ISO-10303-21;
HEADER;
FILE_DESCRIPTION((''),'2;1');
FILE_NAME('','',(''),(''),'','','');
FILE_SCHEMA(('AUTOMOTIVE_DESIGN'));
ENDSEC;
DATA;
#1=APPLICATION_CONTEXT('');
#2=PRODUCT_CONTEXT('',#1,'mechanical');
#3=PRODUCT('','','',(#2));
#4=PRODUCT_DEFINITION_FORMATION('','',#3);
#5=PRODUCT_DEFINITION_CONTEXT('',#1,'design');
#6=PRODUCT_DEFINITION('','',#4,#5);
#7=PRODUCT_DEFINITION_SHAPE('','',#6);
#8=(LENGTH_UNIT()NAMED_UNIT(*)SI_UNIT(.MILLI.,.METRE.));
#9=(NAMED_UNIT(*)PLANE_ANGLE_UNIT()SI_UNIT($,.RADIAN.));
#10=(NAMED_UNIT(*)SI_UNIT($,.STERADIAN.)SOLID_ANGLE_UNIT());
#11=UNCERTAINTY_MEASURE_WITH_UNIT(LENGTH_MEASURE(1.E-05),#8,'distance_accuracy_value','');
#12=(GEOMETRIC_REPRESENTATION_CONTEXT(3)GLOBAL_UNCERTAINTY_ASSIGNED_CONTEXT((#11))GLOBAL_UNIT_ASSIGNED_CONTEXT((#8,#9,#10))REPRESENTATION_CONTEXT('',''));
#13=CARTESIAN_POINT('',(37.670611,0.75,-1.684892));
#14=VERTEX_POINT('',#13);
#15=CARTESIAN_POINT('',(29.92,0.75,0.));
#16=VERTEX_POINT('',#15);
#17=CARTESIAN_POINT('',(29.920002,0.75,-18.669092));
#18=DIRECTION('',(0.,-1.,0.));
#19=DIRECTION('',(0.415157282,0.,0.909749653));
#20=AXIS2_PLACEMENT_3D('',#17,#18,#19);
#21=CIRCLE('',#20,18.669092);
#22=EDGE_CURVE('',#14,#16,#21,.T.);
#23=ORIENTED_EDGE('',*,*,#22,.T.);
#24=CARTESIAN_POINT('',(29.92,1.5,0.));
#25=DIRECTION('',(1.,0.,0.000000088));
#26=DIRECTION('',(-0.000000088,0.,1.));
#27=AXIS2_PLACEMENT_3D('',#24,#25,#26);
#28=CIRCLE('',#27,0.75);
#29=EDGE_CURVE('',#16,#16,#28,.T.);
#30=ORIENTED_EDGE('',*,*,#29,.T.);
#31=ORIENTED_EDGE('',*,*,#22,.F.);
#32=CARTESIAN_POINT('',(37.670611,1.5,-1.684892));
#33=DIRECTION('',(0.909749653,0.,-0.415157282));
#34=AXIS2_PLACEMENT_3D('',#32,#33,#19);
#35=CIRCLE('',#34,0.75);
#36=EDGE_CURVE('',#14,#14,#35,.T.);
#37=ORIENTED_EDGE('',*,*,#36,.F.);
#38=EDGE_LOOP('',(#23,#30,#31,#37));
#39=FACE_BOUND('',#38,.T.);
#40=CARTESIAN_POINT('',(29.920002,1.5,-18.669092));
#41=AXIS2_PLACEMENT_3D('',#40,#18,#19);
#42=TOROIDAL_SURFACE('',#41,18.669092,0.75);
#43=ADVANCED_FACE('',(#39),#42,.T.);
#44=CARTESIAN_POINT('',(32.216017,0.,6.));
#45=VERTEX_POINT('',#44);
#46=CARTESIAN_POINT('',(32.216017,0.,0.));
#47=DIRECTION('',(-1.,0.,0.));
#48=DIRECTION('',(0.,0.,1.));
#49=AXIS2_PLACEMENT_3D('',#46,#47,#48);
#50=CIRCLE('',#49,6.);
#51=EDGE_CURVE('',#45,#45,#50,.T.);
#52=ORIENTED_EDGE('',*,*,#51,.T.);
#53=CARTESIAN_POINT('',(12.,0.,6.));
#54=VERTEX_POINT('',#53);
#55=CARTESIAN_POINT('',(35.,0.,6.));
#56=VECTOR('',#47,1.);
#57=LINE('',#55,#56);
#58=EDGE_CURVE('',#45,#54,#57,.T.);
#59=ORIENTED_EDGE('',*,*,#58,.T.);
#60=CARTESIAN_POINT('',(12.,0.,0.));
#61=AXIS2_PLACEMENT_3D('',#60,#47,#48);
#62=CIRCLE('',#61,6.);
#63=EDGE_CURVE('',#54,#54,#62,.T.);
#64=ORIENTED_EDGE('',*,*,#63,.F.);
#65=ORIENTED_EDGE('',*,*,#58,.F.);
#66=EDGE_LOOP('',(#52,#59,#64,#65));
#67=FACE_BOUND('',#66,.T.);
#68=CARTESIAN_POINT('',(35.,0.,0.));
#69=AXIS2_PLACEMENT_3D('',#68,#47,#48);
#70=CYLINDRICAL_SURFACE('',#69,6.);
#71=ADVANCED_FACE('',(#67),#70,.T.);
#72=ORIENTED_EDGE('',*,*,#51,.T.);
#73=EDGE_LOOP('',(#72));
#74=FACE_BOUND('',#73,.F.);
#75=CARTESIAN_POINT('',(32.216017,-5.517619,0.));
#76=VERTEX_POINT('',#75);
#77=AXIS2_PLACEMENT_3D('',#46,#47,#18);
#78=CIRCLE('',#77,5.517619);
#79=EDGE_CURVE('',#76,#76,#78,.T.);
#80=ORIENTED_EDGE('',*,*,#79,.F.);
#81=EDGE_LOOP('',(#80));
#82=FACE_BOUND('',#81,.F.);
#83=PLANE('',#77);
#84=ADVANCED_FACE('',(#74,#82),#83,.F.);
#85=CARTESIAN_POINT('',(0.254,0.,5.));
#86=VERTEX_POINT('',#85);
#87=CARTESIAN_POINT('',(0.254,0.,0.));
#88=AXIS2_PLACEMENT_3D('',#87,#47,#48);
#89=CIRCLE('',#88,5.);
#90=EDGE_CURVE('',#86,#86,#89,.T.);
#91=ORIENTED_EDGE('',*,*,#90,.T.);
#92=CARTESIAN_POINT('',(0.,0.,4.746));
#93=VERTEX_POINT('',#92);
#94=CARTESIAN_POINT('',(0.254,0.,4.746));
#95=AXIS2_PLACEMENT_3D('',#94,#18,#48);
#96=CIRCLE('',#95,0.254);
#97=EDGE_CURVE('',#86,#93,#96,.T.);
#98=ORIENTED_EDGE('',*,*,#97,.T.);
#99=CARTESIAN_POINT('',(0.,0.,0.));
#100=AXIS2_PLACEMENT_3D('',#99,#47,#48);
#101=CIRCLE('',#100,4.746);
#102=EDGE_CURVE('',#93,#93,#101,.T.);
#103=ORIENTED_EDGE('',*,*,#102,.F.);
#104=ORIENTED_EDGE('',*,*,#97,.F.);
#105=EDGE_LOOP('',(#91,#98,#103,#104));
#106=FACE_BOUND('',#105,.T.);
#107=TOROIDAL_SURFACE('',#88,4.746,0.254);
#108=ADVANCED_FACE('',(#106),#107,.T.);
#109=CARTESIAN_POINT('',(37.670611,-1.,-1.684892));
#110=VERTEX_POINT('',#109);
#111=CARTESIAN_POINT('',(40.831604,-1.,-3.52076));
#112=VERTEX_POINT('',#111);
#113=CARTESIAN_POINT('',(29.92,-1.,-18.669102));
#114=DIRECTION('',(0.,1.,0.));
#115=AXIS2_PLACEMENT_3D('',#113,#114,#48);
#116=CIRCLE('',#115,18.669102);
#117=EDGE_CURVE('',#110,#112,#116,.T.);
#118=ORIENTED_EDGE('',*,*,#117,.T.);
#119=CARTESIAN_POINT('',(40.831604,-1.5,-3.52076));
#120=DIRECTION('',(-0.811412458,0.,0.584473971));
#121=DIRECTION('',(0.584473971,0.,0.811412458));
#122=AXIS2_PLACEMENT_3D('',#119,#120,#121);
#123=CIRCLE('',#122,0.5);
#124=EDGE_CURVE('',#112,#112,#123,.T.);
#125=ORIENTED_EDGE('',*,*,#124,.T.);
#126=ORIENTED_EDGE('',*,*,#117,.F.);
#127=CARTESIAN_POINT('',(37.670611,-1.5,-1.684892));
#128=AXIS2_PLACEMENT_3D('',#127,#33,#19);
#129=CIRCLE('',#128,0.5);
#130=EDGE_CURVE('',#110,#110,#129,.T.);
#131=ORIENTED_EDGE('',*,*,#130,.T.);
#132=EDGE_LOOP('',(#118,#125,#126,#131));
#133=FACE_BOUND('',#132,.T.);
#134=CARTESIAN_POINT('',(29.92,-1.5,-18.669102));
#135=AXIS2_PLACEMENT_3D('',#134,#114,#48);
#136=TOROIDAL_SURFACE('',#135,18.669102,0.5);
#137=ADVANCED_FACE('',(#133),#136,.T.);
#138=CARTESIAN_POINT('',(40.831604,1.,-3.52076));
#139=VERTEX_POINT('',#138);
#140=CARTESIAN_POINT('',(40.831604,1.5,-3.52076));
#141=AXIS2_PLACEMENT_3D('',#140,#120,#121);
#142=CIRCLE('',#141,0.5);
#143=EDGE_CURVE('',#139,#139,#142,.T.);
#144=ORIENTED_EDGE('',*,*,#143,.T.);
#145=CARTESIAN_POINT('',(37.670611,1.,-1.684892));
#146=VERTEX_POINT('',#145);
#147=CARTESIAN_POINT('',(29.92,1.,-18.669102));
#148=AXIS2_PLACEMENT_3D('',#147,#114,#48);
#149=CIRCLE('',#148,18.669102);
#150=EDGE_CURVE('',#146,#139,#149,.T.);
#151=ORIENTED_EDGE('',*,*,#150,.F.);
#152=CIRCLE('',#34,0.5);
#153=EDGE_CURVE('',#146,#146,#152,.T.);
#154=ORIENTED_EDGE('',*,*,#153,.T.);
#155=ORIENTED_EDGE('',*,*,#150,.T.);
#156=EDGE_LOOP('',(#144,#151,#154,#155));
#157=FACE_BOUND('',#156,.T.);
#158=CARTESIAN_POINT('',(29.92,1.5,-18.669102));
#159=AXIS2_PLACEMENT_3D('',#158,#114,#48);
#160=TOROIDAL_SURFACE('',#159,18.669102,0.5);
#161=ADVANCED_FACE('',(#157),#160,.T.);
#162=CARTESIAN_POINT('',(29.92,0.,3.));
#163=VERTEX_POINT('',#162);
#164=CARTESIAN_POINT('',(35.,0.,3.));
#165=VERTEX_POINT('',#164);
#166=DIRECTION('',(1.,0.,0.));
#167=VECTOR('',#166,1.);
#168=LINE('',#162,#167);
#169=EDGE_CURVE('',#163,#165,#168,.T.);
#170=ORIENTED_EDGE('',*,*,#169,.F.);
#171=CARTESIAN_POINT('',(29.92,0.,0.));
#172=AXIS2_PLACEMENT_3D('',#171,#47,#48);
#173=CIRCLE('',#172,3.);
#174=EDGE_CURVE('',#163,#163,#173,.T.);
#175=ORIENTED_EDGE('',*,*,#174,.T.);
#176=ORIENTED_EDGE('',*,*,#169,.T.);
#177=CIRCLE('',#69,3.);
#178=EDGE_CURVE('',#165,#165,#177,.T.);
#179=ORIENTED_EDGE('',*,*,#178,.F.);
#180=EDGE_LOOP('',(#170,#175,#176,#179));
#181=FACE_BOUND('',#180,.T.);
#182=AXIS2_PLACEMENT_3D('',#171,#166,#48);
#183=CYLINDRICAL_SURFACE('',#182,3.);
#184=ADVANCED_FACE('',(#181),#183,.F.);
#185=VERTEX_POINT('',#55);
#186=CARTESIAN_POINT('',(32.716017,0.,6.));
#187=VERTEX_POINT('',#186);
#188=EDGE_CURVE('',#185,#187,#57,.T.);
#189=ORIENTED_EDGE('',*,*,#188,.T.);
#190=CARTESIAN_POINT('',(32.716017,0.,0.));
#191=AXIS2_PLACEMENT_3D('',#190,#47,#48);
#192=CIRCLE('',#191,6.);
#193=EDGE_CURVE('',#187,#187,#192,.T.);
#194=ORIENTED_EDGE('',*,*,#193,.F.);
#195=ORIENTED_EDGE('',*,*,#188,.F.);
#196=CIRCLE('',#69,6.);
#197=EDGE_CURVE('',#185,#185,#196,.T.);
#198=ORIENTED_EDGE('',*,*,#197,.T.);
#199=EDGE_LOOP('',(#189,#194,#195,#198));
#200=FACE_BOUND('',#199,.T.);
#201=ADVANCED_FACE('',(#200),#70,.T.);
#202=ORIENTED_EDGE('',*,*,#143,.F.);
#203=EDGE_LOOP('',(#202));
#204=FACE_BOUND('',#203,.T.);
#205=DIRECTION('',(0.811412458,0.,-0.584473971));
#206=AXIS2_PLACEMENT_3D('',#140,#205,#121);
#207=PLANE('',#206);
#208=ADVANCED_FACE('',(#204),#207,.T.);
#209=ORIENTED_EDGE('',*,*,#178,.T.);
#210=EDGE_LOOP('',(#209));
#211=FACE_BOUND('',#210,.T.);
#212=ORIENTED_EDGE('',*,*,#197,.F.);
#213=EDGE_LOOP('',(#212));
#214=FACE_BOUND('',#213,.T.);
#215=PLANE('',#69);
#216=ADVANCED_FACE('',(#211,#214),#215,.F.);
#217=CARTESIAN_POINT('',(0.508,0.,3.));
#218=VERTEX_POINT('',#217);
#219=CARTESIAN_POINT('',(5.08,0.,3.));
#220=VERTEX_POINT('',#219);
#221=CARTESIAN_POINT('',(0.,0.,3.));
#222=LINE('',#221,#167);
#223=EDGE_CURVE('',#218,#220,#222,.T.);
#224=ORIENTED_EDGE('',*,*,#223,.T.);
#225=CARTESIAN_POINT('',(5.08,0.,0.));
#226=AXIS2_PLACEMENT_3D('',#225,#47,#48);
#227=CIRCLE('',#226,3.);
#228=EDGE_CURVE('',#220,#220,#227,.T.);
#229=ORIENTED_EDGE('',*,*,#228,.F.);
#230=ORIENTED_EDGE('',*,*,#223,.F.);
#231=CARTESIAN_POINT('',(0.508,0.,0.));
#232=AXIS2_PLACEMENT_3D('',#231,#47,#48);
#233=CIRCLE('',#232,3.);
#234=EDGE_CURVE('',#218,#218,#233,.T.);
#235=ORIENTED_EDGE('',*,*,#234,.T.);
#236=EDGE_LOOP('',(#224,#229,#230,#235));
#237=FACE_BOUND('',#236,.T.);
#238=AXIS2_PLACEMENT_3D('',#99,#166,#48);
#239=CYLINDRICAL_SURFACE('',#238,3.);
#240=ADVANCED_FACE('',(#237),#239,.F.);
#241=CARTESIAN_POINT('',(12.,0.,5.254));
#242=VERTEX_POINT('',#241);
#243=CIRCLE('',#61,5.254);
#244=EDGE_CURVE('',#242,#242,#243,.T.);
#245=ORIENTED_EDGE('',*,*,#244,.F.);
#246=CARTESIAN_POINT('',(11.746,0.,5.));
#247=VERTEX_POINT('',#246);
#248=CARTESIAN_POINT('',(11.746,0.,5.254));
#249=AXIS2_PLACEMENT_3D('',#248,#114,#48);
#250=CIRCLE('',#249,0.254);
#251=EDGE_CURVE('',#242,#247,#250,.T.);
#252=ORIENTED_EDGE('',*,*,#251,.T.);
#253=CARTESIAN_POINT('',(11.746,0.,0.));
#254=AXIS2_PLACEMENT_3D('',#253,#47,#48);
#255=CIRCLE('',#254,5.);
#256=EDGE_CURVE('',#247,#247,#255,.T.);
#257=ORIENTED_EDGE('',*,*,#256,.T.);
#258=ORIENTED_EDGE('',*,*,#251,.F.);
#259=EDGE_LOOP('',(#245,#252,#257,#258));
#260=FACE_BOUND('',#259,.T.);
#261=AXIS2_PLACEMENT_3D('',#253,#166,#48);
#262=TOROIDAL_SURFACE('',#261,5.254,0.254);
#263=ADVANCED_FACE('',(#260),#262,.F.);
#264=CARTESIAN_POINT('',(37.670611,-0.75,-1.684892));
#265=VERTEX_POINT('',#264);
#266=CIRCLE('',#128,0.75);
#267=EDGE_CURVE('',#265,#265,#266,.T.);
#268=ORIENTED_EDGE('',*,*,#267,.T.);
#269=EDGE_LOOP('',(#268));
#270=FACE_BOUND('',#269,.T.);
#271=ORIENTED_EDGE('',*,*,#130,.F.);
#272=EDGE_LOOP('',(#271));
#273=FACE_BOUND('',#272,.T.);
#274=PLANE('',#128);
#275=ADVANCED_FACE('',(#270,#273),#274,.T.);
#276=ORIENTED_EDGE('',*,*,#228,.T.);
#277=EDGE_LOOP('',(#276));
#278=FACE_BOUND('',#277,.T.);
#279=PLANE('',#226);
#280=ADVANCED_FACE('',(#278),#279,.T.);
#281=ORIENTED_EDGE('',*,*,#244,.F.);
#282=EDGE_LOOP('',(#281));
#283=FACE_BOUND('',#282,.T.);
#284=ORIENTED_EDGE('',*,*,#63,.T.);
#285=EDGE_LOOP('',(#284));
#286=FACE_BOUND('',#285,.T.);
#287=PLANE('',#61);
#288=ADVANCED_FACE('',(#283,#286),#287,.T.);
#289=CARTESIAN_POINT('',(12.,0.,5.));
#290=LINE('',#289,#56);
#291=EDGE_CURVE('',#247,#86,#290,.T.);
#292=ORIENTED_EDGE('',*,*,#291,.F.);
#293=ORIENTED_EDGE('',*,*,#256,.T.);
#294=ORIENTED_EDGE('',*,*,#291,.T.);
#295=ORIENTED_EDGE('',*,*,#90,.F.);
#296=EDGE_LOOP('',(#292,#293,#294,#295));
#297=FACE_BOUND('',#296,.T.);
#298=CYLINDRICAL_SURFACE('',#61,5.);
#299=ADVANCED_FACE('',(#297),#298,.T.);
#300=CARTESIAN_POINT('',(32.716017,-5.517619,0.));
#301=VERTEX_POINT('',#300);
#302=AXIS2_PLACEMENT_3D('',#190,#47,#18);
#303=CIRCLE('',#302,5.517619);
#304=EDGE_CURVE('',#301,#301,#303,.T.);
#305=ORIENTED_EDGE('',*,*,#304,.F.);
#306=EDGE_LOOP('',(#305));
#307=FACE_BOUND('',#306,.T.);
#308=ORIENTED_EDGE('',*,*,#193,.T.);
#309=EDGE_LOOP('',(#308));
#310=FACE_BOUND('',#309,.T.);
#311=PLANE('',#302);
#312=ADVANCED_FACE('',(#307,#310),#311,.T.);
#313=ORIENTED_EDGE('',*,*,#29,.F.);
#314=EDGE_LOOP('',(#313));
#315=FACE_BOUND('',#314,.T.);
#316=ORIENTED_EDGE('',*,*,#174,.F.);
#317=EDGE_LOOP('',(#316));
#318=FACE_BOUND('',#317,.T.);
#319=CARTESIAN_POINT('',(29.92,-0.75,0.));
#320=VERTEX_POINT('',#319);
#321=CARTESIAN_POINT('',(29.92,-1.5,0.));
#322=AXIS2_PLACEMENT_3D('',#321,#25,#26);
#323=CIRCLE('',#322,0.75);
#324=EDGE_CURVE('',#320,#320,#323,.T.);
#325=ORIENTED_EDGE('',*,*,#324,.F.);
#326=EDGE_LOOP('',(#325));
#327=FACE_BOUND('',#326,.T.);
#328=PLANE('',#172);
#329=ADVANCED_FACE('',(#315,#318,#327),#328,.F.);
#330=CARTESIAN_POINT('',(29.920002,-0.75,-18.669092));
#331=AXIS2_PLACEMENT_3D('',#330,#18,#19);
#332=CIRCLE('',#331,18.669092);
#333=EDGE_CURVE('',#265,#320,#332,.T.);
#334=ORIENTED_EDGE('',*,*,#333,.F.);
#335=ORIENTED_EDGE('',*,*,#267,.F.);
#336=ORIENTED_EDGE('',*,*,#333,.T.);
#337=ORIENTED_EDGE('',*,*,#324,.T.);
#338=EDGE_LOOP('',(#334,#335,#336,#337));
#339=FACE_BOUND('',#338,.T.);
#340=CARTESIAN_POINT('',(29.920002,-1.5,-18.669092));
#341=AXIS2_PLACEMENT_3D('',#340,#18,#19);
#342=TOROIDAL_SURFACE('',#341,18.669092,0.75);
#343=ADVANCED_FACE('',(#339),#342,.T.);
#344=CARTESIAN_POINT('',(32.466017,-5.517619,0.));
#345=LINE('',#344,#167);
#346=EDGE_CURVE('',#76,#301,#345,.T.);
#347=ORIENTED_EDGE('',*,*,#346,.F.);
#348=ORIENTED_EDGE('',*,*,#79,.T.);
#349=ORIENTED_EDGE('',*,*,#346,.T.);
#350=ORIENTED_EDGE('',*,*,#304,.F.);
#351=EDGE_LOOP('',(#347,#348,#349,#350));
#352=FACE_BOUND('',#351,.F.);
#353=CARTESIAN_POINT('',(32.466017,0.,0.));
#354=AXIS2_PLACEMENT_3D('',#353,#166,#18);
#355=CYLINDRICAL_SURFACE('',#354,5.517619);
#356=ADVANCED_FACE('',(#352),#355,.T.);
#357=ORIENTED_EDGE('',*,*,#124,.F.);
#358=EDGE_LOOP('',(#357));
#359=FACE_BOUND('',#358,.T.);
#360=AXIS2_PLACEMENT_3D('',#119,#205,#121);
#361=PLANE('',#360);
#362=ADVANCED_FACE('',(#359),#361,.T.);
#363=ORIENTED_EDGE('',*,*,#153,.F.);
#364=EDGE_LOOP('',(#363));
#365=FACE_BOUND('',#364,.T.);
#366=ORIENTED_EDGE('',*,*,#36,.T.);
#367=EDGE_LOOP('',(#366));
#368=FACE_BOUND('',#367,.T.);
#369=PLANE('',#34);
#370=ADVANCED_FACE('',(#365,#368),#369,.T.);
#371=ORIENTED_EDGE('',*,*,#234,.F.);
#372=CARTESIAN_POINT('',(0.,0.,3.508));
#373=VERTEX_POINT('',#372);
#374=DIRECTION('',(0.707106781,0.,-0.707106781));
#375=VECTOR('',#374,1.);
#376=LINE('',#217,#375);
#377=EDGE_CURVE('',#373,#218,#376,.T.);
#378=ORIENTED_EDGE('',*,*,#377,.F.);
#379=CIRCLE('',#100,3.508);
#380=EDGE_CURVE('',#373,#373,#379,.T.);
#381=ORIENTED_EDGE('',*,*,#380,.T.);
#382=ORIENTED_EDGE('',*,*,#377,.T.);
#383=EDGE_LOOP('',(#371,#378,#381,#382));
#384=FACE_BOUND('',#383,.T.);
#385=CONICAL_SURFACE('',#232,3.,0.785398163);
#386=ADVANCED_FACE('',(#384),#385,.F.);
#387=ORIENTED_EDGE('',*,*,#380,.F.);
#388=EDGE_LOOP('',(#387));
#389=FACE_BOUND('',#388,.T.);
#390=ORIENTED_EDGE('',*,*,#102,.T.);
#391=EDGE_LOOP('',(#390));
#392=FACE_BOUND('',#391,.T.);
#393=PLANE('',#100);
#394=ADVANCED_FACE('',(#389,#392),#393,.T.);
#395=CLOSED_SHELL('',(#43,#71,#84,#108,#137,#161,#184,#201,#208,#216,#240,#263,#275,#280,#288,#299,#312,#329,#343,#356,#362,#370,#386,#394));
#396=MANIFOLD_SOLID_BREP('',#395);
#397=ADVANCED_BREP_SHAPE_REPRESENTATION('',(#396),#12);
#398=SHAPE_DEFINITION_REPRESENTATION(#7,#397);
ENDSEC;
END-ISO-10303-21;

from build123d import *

# Parameters (mm, degrees)
F2_R     = 0.5
F2_R_2   = 0.75
F6_W     = 0.5
F6_H     = 0.575756
F8_R     = 0.254
F9_R     = 0.254
F10_SIZE = 0.508


with BuildPart() as f1:
    # F0 (on Front) → F1 (revolve)
    with BuildSketch(Plane.XZ):
        Polygon((0, 5), (0, 3), (5.08, 3), (5.08, 0), (29.92, 0), (29.92, 3), (35, 3), (35, 6), (12, 6), (12, 5), align=None)
    revolve(axis=Axis((17.5, 0, 0), (-1, 0, 0)))

    # F4: sweep along a path in F3
    with BuildLine(Plane.XZ) as f4_path:
        ThreePointArc((37.670611, -1.684892), (33.885817, -0.426085), (29.92, 0))
    # F2 (on face) → F4 (sweep)
    with BuildSketch(Plane.YZ.offset(29.92)):
        with BuildLine():
            ThreePointArc((2, 0), (1.5, 0.5), (1, 0))
            ThreePointArc((1, 0), (1.5, -0.5), (2, 0))
        make_face()
        with BuildLine():
            ThreePointArc((2.25, 0), (1.5, 0.75), (0.75, 0))
            ThreePointArc((0.75, 0), (1.5, -0.75), (2.25, 0))
        make_face()
        with BuildLine():
            ThreePointArc((2, 0), (1.5, -0.5), (1, 0))
            ThreePointArc((1, 0), (1.5, 0.5), (2, 0))
        make_face(mode=Mode.SUBTRACT)
        with Locations((-1.5, 0)):
            Circle(F2_R)
        with Locations((-1.5, 0)):
            Circle(F2_R_2)
        with Locations((-1.5, 0)):
            Circle(F2_R, mode=Mode.SUBTRACT)
    sweep(path=f4_path.line)

    # F5: sweep along a path in F3
    with BuildLine(Plane.XZ) as f5_path:
        ThreePointArc((29.92, 0), (35.652775, -0.901979), (40.831604, -3.52076))
    # F2 (on face) → F5 (sweep)
    with BuildSketch(Plane.YZ.offset(29.92)):
        with Locations((-1.5, 0)):
            Circle(F2_R)
        with BuildLine():
            ThreePointArc((2, 0), (1.5, 0.5), (1, 0))
            ThreePointArc((1, 0), (1.5, -0.5), (2, 0))
        make_face()
    sweep(path=f5_path.line)

    # F6 (on Top) → F7 (revolve, cut)
    with BuildSketch(Plane.XY):
        with Locations((32.466017, -5.805497)):
            Rectangle(F6_W, F6_H)
    revolve(axis=Axis((32.14075, 0, 0), (-1, 0, 0)), mode=Mode.SUBTRACT)

    # F8
    f8_edges = [f1.edges().sort_by_distance(p)[0] for p in [
        (12, 0, -5),
    ]]
    fillet(f8_edges, radius=F8_R)

    # F9
    f9_edges = [f1.edges().sort_by_distance(p)[0] for p in [
        (0, 0, -5),
    ]]
    fillet(f9_edges, radius=F9_R)

    # F10
    f10_edges = [f1.edges().sort_by_distance(p)[0] for p in [
        (0, 0, -3),
    ]]
    chamfer(f10_edges, length=F10_SIZE)


solid = f1.part
